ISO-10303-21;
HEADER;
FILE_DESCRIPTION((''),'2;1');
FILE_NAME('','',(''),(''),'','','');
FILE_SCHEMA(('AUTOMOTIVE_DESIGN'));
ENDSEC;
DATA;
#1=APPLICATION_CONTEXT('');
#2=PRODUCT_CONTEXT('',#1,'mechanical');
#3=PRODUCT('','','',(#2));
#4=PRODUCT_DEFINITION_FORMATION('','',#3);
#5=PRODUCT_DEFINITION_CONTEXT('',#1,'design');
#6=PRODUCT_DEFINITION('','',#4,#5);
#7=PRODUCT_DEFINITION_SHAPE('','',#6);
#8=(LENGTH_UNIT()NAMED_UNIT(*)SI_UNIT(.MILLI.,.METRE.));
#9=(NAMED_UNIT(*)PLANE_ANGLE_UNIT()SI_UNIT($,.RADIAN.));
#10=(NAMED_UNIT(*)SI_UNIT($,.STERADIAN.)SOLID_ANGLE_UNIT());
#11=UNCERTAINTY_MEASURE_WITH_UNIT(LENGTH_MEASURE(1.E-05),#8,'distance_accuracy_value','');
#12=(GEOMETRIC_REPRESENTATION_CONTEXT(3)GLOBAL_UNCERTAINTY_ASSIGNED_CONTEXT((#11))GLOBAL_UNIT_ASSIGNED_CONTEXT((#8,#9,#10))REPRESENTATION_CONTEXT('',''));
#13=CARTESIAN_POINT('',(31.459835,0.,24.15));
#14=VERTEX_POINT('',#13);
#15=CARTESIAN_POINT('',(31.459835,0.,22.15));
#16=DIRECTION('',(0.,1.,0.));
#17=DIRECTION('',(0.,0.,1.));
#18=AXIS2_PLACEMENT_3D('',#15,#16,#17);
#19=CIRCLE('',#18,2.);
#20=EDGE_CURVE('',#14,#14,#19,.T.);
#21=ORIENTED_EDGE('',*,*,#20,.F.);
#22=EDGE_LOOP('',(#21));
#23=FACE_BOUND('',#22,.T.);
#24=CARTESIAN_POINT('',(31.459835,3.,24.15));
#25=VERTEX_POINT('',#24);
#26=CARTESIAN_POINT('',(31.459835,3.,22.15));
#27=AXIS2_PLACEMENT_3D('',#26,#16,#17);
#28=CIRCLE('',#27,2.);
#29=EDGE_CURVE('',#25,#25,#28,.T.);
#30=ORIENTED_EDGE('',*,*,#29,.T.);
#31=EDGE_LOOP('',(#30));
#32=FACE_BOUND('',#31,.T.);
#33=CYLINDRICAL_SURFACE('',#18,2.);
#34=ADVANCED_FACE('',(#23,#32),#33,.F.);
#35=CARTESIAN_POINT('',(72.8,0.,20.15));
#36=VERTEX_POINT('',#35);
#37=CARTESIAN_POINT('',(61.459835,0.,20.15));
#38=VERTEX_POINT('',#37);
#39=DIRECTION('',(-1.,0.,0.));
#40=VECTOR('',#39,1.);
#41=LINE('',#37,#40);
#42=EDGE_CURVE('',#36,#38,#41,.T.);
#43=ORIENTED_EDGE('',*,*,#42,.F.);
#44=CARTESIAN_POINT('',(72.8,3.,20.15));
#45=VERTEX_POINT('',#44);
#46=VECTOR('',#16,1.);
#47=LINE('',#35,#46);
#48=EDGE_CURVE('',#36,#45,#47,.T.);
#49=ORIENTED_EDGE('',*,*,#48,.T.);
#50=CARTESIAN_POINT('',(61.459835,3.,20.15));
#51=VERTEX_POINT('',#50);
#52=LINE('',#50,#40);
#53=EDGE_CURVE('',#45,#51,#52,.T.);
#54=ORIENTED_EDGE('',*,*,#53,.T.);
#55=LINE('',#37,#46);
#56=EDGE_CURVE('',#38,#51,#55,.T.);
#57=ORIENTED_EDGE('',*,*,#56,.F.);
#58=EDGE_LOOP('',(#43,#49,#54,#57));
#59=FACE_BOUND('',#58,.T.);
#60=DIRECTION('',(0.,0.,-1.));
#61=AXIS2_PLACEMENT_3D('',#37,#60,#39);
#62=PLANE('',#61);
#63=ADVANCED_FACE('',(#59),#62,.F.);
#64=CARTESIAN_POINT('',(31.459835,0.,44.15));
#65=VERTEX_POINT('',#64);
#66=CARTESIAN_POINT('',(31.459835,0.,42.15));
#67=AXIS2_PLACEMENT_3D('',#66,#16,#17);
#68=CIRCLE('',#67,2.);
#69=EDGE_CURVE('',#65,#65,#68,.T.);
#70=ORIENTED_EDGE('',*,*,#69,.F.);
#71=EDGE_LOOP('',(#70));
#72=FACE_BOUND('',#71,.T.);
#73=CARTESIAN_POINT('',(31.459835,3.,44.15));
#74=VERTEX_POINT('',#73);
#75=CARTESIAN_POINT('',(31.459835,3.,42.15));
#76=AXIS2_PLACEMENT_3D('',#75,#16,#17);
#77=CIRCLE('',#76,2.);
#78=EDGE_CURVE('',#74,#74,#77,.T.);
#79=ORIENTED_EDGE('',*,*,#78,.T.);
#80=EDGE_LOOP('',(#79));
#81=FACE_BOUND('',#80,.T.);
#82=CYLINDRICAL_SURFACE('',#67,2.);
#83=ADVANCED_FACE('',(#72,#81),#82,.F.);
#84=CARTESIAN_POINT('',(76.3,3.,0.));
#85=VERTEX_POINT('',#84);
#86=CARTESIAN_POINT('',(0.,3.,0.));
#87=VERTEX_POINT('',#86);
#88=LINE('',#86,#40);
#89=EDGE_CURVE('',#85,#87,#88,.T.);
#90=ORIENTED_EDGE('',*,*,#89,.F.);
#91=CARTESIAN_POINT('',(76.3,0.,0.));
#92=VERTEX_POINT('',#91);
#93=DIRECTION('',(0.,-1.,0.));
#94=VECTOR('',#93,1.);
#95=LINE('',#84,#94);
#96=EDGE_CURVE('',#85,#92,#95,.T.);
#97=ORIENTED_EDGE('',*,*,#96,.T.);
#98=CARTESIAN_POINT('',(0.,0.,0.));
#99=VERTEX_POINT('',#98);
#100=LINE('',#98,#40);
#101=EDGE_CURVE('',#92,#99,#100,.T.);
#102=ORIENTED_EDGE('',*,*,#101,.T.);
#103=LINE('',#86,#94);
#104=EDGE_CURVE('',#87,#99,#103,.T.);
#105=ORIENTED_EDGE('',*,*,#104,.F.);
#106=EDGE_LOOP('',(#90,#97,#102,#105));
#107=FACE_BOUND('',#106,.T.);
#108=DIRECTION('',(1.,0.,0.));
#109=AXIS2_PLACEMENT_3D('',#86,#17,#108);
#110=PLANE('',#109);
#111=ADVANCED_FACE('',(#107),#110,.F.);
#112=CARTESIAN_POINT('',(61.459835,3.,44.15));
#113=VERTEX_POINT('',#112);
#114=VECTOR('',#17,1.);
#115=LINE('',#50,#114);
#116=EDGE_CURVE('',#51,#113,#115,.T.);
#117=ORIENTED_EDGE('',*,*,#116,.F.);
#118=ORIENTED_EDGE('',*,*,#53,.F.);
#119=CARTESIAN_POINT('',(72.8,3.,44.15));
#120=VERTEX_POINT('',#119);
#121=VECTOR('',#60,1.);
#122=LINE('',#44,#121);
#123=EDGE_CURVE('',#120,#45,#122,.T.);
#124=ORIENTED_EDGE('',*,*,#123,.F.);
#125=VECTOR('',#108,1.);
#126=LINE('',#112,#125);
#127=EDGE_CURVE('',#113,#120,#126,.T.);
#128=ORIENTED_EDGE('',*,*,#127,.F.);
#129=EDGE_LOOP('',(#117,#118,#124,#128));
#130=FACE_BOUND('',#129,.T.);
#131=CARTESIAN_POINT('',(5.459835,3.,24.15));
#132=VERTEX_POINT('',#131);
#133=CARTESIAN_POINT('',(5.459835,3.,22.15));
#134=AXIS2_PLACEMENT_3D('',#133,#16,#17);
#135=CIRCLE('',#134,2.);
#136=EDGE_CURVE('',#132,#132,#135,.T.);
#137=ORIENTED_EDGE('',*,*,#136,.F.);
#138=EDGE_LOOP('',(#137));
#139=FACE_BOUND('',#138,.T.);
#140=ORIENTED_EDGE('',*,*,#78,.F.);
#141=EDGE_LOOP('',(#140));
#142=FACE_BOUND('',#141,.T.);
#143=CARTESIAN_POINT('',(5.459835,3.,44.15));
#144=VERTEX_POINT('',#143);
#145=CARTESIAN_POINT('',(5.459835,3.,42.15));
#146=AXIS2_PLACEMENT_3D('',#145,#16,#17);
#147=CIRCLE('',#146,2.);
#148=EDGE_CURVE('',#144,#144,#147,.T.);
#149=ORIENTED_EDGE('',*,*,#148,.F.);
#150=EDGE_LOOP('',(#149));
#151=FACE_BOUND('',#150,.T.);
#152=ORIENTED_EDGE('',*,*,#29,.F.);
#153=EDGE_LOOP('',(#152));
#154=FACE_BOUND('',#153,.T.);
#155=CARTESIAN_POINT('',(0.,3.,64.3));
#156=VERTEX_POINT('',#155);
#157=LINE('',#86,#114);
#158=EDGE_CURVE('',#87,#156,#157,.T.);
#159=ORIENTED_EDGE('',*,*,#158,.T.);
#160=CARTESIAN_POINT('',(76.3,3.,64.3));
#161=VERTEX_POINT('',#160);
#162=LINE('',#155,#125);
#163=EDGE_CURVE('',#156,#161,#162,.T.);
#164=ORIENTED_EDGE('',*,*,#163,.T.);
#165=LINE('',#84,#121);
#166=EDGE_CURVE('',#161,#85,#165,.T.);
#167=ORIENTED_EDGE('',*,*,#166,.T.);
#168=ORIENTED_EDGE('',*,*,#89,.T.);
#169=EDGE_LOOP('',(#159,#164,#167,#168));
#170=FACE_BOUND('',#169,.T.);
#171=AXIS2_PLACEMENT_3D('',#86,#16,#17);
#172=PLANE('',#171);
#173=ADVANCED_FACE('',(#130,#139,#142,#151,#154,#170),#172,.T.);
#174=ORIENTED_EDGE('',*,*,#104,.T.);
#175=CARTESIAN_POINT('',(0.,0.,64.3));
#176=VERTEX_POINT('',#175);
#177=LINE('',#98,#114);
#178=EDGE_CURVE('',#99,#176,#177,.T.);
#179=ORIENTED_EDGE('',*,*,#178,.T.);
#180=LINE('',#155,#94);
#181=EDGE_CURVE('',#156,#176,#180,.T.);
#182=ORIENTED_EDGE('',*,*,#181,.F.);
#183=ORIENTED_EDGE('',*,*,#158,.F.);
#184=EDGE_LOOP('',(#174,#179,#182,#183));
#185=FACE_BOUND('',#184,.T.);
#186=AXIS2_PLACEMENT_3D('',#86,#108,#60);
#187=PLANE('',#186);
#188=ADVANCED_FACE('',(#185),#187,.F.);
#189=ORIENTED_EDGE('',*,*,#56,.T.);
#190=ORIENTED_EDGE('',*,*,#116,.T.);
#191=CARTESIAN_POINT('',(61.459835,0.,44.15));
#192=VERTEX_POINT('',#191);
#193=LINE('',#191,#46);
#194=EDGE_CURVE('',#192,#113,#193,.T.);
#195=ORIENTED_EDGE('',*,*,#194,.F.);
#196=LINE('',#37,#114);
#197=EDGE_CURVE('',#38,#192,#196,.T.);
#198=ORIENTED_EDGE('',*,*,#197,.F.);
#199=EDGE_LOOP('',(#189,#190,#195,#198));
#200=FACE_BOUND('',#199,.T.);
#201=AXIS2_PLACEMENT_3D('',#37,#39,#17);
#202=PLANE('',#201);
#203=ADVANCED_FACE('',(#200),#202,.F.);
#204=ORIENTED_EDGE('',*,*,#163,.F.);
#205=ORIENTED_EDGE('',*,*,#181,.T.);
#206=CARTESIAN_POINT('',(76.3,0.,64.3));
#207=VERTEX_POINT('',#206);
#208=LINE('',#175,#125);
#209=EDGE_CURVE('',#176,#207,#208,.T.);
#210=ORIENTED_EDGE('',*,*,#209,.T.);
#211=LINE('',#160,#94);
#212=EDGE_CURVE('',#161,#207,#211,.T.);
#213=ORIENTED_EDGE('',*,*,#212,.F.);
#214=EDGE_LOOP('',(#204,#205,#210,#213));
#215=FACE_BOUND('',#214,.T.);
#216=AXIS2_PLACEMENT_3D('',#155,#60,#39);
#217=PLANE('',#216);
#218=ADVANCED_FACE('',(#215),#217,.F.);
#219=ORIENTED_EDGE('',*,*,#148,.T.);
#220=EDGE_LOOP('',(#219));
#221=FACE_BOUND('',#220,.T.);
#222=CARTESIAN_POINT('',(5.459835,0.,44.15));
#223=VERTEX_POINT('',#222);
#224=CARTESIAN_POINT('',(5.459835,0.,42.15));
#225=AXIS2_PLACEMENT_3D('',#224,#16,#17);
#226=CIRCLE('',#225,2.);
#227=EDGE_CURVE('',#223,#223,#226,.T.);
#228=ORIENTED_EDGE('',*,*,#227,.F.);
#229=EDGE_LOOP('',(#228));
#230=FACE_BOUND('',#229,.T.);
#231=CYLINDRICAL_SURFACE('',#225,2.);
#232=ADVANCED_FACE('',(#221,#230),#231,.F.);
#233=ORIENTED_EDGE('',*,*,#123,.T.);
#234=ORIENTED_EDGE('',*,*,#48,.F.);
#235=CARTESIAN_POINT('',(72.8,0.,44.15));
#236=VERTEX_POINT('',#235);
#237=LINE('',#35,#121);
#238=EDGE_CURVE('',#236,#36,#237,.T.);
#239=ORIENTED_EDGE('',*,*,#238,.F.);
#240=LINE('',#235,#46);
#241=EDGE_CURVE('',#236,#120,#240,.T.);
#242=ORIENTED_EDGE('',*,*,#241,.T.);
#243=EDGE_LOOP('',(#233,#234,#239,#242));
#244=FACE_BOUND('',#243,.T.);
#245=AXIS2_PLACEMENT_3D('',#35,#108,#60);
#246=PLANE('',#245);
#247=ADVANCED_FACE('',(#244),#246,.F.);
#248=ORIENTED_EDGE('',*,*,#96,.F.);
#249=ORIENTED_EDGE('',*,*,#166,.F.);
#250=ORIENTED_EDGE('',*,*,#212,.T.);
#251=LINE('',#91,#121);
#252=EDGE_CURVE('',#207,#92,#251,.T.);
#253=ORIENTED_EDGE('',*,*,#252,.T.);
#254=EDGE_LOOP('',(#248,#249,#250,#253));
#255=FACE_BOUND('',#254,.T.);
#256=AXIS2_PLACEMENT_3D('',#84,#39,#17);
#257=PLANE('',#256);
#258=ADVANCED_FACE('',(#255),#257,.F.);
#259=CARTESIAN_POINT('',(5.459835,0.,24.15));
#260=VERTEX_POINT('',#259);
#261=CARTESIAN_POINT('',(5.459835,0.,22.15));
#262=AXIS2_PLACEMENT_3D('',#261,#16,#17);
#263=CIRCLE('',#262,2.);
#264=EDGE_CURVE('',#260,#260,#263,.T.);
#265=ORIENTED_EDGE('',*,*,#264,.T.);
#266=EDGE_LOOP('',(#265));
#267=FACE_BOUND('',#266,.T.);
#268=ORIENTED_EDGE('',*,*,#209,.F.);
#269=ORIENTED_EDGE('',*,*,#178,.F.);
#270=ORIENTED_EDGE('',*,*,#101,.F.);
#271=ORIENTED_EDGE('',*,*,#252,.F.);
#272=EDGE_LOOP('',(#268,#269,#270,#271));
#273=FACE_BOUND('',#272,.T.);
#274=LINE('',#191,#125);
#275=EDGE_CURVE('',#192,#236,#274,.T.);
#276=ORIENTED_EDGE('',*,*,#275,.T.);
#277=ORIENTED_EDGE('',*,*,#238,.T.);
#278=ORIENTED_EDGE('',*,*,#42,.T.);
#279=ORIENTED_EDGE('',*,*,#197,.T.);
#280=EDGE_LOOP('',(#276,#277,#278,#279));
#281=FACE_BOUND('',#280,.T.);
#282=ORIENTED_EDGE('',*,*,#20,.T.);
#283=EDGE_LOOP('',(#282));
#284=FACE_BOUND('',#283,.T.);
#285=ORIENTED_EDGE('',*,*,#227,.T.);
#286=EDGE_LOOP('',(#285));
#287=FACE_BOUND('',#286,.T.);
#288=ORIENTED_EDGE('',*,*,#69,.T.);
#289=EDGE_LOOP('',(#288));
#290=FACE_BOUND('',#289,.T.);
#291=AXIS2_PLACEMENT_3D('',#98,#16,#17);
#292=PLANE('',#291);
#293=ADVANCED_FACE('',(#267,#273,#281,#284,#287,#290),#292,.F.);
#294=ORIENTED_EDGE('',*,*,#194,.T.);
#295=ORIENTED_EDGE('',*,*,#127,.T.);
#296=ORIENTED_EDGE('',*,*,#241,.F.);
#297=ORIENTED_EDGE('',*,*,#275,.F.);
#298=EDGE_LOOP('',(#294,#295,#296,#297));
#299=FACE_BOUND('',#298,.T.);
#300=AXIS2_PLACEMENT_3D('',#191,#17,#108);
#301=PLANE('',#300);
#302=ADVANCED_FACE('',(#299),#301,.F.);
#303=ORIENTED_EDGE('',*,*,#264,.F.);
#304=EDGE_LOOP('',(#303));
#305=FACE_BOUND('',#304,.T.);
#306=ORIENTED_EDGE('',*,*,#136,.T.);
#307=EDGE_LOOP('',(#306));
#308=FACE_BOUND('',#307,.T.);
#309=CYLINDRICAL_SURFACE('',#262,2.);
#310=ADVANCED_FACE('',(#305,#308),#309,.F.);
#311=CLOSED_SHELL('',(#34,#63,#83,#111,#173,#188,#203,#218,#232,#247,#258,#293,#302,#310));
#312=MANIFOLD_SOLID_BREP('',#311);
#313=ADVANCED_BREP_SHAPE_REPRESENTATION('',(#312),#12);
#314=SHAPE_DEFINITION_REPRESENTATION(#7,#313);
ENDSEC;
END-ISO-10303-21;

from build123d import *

# Parameters (mm, degrees)
SKETCH1_W           = 76.3
SKETCH1_H           = 64.3
BOSS_EXTRUDE1_DEPTH = 3
SKETCH4_R           = 2
SKETCH4_W           = 11.340165237
SKETCH4_H           = 24
CUT_EXTRUDE2_DEPTH  = 100.825748182


with BuildPart() as part:
    # Sketch1 → Boss-Extrude1 (new body)
    with BuildSketch(Plane(origin=(0, 0, 0), x_dir=(1, 0, 0), z_dir=(0, 1, 0))):
        with Locations((38.15, -32.15)):
            Rectangle(SKETCH1_W, SKETCH1_H)
    extrude(amount=BOSS_EXTRUDE1_DEPTH)

    # Sketch4 → Cut-Extrude2 (cut, through all)
    with BuildSketch(Plane(origin=(0, 3, 0), x_dir=(1, 0, 0), z_dir=(0, 1, 0))):
        with Locations(Location((5.459834763, -22.15, 0), (0, 0, 270))):
            Circle(SKETCH4_R)
        with Locations(Location((31.459834763, -22.15, 0), (0, 0, 270))):
            Circle(SKETCH4_R)
        with Locations(Location((5.459834763, -42.15, 0), (0, 0, 270))):
            Circle(SKETCH4_R)
        with Locations(Location((31.459834763, -42.15, 0), (0, 0, 270))):
            Circle(SKETCH4_R)
        with Locations((67.129917382, -32.15)):
            Rectangle(SKETCH4_W, SKETCH4_H)
    extrude(amount=-CUT_EXTRUDE2_DEPTH, mode=Mode.SUBTRACT)


solid = part.part
